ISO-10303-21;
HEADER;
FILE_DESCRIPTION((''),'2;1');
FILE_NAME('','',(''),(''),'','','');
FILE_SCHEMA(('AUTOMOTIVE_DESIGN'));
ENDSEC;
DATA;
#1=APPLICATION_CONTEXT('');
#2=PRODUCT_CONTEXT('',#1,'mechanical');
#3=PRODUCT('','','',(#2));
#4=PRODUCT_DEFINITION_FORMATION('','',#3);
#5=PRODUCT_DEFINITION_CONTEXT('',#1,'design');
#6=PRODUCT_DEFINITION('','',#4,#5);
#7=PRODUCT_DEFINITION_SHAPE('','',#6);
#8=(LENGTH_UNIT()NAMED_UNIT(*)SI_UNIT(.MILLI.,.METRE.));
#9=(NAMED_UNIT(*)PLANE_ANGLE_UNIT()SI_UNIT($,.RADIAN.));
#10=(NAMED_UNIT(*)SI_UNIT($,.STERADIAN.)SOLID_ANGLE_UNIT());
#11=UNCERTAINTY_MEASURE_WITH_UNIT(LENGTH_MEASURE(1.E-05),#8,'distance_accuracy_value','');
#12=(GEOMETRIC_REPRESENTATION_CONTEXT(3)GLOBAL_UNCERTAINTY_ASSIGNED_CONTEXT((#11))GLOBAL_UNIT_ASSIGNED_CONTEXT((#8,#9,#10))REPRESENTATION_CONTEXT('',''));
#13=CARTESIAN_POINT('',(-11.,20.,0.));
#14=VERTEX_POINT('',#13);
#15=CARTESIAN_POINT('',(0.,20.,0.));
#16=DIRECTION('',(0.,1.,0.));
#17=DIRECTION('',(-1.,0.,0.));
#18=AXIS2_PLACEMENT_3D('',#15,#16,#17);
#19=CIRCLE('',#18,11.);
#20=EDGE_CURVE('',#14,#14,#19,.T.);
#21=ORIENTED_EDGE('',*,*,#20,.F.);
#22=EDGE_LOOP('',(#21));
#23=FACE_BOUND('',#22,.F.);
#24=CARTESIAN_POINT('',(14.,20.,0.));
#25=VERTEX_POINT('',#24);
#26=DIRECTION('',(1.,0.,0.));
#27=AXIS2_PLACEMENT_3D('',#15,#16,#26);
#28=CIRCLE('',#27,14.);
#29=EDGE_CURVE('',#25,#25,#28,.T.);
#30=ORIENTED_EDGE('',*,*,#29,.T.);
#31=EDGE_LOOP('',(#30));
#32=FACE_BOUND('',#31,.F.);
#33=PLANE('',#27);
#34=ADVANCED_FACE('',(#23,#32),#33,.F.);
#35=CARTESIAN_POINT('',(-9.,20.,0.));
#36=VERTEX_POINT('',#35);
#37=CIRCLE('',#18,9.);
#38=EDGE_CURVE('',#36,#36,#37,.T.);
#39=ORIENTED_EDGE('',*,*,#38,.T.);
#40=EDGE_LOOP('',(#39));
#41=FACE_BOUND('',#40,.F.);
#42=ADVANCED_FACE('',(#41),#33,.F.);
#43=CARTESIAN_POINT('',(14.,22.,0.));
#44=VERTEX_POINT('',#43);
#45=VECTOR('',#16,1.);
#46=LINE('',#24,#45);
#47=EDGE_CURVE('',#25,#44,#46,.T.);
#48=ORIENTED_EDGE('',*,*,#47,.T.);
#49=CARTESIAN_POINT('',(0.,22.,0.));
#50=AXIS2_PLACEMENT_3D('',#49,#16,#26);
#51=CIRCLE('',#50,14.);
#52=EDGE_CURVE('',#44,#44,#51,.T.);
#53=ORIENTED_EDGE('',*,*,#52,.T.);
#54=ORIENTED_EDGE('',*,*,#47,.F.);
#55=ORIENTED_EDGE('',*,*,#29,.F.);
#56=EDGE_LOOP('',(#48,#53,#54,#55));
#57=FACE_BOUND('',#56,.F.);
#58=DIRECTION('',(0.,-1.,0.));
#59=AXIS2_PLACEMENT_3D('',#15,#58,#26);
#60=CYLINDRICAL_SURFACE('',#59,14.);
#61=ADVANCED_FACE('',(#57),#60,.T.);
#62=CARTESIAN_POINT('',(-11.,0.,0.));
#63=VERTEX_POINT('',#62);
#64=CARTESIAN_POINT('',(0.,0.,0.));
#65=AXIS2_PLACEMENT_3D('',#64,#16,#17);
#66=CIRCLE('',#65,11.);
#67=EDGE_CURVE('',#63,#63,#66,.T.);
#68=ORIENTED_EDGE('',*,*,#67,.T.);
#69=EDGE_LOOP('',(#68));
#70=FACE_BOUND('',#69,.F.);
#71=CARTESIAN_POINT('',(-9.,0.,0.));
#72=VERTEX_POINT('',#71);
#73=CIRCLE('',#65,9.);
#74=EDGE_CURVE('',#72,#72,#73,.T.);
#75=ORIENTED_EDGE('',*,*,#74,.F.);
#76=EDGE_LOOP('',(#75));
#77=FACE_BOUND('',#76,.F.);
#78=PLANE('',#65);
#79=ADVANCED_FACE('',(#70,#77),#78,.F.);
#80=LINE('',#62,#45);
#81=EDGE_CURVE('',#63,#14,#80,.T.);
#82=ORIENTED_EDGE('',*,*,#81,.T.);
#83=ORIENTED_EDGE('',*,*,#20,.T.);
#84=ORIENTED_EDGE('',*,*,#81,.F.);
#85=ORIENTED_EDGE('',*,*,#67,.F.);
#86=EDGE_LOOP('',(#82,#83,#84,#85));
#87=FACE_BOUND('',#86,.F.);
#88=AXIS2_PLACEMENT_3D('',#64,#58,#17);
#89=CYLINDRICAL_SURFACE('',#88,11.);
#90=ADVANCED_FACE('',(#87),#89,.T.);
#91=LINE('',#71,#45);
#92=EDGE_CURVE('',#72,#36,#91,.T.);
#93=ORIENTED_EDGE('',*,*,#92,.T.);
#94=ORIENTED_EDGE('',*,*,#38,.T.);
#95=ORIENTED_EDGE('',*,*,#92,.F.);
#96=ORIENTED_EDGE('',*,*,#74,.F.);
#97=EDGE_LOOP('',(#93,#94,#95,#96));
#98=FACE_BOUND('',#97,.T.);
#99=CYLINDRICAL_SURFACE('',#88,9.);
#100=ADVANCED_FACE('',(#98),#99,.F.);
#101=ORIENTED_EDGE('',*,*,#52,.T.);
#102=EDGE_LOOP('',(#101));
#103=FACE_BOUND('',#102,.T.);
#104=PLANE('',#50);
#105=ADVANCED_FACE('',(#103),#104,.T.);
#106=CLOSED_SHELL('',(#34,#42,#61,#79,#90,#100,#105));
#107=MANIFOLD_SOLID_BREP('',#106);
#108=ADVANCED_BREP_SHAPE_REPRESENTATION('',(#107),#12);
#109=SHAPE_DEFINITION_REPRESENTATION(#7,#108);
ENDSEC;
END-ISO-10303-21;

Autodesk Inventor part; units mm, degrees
ref_plane "YZ Plane" through (0, 0, 0) normal (1, 0, 0) x (0, 1, 0)
ref_plane "XZ Plane" through (0, 0, 0) normal (0, 1, 0) x (-1, 0, 0)
ref_plane "XY Plane" through (0, 0, 0) normal (0, 0, 1) x (1, 0, 0)
sketch "Szkic1" plane through (0, 0, 0) normal (0, 1, 0) x (-1, 0, 0)
  circle A0 centre (0, 0) radius 11
  circle A1 centre (0, 0) radius 9
  dimension "d0" = 22
  dimension "d1" = 2
extrude "Wyciągnięcie proste1" add sketch "Szkic1" along normal blind 20
sketch "Szkic2" plane through (0, 20, 0) normal (0, 1, 0) x (1, 0, 0)
  circle A0 centre (0, 0) radius 14
  circle A1 centre (0, 0) radius 11 projected
  dimension "d4" = 28
  dimension "d7" = 3
extrude "Wyciągnięcie proste2" add sketch "Szkic2" along normal blind 2 contours A0 | A1
properties part number "tulejapodstawa"
